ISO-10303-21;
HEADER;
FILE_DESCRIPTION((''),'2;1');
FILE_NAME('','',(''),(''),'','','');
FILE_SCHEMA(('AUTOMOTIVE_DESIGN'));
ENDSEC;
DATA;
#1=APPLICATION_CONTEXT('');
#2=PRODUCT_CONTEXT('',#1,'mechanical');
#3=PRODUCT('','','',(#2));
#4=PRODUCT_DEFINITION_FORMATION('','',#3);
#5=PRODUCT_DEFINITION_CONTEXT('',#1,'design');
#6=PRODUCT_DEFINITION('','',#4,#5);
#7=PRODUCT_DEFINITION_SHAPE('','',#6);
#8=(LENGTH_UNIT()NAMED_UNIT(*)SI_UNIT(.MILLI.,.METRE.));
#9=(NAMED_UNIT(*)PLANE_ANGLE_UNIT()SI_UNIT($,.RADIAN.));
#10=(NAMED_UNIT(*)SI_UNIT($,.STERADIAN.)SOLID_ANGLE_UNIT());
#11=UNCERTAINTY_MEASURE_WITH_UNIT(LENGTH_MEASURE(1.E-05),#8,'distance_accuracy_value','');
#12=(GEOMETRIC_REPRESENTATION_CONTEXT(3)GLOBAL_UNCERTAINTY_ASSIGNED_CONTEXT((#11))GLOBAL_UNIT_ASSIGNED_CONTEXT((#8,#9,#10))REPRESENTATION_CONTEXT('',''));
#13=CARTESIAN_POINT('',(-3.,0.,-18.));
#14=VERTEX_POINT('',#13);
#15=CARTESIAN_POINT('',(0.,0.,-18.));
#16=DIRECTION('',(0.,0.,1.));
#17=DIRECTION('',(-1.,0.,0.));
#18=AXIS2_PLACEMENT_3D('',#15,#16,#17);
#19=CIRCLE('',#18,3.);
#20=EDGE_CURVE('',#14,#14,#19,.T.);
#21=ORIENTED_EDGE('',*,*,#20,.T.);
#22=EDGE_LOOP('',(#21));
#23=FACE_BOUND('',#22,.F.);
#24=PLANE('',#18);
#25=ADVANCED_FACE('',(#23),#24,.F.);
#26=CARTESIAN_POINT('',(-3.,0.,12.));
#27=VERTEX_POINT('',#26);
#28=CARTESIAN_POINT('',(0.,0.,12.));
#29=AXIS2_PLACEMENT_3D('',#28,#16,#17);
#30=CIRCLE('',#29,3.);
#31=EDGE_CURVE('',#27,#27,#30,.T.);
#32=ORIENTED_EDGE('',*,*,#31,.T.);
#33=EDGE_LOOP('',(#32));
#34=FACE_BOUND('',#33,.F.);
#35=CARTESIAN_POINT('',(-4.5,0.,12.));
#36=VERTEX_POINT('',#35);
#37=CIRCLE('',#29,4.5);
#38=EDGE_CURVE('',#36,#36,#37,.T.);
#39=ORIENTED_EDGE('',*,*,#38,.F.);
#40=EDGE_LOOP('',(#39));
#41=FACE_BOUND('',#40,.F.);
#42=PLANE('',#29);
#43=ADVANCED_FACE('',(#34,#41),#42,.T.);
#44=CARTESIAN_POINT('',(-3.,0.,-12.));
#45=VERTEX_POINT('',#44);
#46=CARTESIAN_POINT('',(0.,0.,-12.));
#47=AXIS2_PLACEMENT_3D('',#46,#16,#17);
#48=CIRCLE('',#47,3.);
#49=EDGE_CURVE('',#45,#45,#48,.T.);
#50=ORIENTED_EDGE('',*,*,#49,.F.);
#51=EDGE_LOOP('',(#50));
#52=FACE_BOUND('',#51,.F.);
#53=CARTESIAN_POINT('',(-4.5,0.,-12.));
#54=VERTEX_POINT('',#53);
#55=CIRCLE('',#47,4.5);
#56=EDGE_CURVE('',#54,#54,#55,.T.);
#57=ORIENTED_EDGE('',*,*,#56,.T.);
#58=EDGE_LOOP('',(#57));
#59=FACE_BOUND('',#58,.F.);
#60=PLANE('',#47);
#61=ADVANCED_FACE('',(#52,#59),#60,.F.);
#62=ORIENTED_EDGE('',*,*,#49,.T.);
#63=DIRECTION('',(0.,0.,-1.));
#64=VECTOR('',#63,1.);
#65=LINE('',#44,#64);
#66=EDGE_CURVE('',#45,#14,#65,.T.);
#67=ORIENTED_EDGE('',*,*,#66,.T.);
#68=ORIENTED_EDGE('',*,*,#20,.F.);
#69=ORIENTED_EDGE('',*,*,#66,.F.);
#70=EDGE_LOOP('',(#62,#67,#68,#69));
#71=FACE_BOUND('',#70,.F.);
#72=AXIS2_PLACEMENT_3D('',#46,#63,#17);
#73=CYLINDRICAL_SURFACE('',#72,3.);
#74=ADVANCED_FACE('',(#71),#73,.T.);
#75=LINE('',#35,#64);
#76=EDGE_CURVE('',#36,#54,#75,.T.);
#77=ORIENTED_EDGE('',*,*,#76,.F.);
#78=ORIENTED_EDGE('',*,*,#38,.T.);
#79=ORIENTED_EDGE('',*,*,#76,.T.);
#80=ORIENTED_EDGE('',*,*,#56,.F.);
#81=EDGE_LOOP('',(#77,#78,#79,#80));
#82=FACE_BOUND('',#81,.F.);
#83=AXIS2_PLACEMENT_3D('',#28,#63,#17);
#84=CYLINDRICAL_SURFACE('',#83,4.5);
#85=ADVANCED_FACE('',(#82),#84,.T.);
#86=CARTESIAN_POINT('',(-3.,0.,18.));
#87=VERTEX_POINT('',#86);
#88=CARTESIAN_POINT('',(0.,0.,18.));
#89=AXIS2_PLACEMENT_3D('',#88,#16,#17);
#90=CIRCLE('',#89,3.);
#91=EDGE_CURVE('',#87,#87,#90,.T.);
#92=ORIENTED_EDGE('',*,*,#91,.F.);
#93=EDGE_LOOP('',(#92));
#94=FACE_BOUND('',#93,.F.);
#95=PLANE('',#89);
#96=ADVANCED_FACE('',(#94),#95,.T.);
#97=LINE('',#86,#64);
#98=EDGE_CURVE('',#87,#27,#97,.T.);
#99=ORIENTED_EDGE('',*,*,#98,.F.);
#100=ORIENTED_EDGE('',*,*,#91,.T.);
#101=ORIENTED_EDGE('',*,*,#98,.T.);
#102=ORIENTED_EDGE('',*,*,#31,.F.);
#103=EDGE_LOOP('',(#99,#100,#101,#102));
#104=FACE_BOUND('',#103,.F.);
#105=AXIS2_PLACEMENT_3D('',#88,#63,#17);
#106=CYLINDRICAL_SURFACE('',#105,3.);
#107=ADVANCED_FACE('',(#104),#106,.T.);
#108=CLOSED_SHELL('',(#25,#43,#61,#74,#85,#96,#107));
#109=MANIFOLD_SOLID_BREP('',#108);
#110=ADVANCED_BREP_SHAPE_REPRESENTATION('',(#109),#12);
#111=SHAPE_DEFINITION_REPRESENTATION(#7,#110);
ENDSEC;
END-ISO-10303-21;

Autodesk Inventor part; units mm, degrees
ref_plane "YZ Plane" through (0, 0, 0) normal (1, 0, 0) x (0, 1, 0)
ref_plane "XZ Plane" through (0, 0, 0) normal (0, 1, 0) x (-1, 0, 0)
ref_plane "XY Plane" through (0, 0, 0) normal (0, 0, 1) x (1, 0, 0)
sketch "Skizze1" plane through (0, 0, 0) normal (0, 1, 0) x (-1, 0, 0)
  line L0 (0, 18) -> (3, 18)
  line L1 (3, 18) -> (3, 12)
  line L2 (3, 12) -> (4.5, 12)
  line L3 (4.5, 12) -> (4.5, -12)
  line L4 (4.5, -12) -> (3, -12)
  line L5 (3, -12) -> (3, -18)
  line L6 (3, -18) -> (0, -18)
  line L7 (0, -18) -> (0, 18)
  point P0 (0, 0)
  point P1 (0, 0)
  dimension "d0" = 6
  dimension "d1" = 6
  dimension "d2" = 24
  dimension "d3" = 9
  dimension "d4" = 6
revolve "Umdrehung1" add sketch "Skizze1" angle 360 about axis through (0, 0, -18) along (0, 0, 1)
thread "Gewinde1" size "M6x1" class "6g" standard "ISO Metric profile" length 18
thread "Gewinde2" size "M6x1" class "6g" standard "ISO Metric profile" length 18
properties part number "welle_verbindung"
